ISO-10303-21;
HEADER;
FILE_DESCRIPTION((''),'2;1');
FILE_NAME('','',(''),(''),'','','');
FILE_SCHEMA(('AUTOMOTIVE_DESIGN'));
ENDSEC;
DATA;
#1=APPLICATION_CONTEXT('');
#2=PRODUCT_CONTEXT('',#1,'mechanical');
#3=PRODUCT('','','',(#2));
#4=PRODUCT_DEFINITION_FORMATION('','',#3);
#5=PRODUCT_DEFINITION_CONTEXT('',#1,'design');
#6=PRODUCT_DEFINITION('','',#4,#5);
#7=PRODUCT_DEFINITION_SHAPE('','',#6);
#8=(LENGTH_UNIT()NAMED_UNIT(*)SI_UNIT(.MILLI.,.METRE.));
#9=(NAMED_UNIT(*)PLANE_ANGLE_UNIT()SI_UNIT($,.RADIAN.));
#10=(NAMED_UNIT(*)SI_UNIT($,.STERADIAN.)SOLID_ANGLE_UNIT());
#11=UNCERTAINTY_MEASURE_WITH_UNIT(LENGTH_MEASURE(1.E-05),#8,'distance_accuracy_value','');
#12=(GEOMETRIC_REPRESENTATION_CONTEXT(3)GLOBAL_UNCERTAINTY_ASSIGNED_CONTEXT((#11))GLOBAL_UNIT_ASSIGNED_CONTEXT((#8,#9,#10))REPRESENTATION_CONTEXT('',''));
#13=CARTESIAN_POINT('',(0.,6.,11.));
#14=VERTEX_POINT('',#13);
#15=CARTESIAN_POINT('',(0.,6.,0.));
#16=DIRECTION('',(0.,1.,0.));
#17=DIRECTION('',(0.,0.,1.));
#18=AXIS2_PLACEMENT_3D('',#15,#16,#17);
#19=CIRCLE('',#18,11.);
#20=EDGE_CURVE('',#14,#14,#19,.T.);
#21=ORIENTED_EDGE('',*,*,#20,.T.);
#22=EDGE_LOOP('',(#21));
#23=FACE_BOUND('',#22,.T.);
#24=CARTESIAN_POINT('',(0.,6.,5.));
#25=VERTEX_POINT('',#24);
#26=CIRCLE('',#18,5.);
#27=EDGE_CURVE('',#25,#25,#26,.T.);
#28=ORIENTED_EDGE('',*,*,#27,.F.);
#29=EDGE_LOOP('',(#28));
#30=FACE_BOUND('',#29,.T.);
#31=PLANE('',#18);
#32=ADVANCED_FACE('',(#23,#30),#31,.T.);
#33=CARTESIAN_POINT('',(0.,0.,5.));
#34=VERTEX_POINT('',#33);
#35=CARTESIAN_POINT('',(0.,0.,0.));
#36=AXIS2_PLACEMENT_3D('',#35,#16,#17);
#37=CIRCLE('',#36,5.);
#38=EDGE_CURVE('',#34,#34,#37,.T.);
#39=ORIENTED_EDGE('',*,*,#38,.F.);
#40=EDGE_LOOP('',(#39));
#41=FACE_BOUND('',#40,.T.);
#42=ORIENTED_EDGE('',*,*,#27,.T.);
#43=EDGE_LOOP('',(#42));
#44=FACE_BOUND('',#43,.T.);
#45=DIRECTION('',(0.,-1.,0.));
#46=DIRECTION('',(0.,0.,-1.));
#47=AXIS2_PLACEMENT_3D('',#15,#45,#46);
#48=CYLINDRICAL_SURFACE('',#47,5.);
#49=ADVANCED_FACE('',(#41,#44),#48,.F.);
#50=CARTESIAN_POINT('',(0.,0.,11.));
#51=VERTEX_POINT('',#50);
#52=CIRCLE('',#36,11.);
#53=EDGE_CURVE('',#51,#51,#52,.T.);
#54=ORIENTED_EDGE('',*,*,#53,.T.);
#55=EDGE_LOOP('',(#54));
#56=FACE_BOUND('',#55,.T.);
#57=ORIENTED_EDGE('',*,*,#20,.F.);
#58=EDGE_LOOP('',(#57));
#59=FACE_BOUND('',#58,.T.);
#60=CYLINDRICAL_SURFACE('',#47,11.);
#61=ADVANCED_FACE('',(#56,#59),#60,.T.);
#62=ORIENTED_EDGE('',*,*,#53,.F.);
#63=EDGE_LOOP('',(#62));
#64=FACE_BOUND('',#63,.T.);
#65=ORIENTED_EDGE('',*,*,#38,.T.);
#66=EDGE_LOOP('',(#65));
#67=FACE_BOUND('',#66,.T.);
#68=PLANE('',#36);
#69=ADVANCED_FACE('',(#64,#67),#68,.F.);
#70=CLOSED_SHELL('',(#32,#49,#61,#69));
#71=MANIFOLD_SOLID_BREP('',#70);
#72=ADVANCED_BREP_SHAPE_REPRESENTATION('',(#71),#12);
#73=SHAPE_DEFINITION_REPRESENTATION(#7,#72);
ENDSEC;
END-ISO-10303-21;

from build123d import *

# Parameters (mm, degrees)
SKETCH_1_R      = 11
SKETCH_1_R_2    = 5
EXTRUDE_1_DEPTH = 6


with BuildPart() as part:
    # 草图1 → 凸台-拉伸1 (new body)
    with BuildSketch(Plane(origin=(0, 0, 0), x_dir=(1, 0, 0), z_dir=(0, 1, 0))):
        Circle(SKETCH_1_R)
        Circle(SKETCH_1_R_2, mode=Mode.SUBTRACT)
    extrude(amount=EXTRUDE_1_DEPTH)


solid = part.part
